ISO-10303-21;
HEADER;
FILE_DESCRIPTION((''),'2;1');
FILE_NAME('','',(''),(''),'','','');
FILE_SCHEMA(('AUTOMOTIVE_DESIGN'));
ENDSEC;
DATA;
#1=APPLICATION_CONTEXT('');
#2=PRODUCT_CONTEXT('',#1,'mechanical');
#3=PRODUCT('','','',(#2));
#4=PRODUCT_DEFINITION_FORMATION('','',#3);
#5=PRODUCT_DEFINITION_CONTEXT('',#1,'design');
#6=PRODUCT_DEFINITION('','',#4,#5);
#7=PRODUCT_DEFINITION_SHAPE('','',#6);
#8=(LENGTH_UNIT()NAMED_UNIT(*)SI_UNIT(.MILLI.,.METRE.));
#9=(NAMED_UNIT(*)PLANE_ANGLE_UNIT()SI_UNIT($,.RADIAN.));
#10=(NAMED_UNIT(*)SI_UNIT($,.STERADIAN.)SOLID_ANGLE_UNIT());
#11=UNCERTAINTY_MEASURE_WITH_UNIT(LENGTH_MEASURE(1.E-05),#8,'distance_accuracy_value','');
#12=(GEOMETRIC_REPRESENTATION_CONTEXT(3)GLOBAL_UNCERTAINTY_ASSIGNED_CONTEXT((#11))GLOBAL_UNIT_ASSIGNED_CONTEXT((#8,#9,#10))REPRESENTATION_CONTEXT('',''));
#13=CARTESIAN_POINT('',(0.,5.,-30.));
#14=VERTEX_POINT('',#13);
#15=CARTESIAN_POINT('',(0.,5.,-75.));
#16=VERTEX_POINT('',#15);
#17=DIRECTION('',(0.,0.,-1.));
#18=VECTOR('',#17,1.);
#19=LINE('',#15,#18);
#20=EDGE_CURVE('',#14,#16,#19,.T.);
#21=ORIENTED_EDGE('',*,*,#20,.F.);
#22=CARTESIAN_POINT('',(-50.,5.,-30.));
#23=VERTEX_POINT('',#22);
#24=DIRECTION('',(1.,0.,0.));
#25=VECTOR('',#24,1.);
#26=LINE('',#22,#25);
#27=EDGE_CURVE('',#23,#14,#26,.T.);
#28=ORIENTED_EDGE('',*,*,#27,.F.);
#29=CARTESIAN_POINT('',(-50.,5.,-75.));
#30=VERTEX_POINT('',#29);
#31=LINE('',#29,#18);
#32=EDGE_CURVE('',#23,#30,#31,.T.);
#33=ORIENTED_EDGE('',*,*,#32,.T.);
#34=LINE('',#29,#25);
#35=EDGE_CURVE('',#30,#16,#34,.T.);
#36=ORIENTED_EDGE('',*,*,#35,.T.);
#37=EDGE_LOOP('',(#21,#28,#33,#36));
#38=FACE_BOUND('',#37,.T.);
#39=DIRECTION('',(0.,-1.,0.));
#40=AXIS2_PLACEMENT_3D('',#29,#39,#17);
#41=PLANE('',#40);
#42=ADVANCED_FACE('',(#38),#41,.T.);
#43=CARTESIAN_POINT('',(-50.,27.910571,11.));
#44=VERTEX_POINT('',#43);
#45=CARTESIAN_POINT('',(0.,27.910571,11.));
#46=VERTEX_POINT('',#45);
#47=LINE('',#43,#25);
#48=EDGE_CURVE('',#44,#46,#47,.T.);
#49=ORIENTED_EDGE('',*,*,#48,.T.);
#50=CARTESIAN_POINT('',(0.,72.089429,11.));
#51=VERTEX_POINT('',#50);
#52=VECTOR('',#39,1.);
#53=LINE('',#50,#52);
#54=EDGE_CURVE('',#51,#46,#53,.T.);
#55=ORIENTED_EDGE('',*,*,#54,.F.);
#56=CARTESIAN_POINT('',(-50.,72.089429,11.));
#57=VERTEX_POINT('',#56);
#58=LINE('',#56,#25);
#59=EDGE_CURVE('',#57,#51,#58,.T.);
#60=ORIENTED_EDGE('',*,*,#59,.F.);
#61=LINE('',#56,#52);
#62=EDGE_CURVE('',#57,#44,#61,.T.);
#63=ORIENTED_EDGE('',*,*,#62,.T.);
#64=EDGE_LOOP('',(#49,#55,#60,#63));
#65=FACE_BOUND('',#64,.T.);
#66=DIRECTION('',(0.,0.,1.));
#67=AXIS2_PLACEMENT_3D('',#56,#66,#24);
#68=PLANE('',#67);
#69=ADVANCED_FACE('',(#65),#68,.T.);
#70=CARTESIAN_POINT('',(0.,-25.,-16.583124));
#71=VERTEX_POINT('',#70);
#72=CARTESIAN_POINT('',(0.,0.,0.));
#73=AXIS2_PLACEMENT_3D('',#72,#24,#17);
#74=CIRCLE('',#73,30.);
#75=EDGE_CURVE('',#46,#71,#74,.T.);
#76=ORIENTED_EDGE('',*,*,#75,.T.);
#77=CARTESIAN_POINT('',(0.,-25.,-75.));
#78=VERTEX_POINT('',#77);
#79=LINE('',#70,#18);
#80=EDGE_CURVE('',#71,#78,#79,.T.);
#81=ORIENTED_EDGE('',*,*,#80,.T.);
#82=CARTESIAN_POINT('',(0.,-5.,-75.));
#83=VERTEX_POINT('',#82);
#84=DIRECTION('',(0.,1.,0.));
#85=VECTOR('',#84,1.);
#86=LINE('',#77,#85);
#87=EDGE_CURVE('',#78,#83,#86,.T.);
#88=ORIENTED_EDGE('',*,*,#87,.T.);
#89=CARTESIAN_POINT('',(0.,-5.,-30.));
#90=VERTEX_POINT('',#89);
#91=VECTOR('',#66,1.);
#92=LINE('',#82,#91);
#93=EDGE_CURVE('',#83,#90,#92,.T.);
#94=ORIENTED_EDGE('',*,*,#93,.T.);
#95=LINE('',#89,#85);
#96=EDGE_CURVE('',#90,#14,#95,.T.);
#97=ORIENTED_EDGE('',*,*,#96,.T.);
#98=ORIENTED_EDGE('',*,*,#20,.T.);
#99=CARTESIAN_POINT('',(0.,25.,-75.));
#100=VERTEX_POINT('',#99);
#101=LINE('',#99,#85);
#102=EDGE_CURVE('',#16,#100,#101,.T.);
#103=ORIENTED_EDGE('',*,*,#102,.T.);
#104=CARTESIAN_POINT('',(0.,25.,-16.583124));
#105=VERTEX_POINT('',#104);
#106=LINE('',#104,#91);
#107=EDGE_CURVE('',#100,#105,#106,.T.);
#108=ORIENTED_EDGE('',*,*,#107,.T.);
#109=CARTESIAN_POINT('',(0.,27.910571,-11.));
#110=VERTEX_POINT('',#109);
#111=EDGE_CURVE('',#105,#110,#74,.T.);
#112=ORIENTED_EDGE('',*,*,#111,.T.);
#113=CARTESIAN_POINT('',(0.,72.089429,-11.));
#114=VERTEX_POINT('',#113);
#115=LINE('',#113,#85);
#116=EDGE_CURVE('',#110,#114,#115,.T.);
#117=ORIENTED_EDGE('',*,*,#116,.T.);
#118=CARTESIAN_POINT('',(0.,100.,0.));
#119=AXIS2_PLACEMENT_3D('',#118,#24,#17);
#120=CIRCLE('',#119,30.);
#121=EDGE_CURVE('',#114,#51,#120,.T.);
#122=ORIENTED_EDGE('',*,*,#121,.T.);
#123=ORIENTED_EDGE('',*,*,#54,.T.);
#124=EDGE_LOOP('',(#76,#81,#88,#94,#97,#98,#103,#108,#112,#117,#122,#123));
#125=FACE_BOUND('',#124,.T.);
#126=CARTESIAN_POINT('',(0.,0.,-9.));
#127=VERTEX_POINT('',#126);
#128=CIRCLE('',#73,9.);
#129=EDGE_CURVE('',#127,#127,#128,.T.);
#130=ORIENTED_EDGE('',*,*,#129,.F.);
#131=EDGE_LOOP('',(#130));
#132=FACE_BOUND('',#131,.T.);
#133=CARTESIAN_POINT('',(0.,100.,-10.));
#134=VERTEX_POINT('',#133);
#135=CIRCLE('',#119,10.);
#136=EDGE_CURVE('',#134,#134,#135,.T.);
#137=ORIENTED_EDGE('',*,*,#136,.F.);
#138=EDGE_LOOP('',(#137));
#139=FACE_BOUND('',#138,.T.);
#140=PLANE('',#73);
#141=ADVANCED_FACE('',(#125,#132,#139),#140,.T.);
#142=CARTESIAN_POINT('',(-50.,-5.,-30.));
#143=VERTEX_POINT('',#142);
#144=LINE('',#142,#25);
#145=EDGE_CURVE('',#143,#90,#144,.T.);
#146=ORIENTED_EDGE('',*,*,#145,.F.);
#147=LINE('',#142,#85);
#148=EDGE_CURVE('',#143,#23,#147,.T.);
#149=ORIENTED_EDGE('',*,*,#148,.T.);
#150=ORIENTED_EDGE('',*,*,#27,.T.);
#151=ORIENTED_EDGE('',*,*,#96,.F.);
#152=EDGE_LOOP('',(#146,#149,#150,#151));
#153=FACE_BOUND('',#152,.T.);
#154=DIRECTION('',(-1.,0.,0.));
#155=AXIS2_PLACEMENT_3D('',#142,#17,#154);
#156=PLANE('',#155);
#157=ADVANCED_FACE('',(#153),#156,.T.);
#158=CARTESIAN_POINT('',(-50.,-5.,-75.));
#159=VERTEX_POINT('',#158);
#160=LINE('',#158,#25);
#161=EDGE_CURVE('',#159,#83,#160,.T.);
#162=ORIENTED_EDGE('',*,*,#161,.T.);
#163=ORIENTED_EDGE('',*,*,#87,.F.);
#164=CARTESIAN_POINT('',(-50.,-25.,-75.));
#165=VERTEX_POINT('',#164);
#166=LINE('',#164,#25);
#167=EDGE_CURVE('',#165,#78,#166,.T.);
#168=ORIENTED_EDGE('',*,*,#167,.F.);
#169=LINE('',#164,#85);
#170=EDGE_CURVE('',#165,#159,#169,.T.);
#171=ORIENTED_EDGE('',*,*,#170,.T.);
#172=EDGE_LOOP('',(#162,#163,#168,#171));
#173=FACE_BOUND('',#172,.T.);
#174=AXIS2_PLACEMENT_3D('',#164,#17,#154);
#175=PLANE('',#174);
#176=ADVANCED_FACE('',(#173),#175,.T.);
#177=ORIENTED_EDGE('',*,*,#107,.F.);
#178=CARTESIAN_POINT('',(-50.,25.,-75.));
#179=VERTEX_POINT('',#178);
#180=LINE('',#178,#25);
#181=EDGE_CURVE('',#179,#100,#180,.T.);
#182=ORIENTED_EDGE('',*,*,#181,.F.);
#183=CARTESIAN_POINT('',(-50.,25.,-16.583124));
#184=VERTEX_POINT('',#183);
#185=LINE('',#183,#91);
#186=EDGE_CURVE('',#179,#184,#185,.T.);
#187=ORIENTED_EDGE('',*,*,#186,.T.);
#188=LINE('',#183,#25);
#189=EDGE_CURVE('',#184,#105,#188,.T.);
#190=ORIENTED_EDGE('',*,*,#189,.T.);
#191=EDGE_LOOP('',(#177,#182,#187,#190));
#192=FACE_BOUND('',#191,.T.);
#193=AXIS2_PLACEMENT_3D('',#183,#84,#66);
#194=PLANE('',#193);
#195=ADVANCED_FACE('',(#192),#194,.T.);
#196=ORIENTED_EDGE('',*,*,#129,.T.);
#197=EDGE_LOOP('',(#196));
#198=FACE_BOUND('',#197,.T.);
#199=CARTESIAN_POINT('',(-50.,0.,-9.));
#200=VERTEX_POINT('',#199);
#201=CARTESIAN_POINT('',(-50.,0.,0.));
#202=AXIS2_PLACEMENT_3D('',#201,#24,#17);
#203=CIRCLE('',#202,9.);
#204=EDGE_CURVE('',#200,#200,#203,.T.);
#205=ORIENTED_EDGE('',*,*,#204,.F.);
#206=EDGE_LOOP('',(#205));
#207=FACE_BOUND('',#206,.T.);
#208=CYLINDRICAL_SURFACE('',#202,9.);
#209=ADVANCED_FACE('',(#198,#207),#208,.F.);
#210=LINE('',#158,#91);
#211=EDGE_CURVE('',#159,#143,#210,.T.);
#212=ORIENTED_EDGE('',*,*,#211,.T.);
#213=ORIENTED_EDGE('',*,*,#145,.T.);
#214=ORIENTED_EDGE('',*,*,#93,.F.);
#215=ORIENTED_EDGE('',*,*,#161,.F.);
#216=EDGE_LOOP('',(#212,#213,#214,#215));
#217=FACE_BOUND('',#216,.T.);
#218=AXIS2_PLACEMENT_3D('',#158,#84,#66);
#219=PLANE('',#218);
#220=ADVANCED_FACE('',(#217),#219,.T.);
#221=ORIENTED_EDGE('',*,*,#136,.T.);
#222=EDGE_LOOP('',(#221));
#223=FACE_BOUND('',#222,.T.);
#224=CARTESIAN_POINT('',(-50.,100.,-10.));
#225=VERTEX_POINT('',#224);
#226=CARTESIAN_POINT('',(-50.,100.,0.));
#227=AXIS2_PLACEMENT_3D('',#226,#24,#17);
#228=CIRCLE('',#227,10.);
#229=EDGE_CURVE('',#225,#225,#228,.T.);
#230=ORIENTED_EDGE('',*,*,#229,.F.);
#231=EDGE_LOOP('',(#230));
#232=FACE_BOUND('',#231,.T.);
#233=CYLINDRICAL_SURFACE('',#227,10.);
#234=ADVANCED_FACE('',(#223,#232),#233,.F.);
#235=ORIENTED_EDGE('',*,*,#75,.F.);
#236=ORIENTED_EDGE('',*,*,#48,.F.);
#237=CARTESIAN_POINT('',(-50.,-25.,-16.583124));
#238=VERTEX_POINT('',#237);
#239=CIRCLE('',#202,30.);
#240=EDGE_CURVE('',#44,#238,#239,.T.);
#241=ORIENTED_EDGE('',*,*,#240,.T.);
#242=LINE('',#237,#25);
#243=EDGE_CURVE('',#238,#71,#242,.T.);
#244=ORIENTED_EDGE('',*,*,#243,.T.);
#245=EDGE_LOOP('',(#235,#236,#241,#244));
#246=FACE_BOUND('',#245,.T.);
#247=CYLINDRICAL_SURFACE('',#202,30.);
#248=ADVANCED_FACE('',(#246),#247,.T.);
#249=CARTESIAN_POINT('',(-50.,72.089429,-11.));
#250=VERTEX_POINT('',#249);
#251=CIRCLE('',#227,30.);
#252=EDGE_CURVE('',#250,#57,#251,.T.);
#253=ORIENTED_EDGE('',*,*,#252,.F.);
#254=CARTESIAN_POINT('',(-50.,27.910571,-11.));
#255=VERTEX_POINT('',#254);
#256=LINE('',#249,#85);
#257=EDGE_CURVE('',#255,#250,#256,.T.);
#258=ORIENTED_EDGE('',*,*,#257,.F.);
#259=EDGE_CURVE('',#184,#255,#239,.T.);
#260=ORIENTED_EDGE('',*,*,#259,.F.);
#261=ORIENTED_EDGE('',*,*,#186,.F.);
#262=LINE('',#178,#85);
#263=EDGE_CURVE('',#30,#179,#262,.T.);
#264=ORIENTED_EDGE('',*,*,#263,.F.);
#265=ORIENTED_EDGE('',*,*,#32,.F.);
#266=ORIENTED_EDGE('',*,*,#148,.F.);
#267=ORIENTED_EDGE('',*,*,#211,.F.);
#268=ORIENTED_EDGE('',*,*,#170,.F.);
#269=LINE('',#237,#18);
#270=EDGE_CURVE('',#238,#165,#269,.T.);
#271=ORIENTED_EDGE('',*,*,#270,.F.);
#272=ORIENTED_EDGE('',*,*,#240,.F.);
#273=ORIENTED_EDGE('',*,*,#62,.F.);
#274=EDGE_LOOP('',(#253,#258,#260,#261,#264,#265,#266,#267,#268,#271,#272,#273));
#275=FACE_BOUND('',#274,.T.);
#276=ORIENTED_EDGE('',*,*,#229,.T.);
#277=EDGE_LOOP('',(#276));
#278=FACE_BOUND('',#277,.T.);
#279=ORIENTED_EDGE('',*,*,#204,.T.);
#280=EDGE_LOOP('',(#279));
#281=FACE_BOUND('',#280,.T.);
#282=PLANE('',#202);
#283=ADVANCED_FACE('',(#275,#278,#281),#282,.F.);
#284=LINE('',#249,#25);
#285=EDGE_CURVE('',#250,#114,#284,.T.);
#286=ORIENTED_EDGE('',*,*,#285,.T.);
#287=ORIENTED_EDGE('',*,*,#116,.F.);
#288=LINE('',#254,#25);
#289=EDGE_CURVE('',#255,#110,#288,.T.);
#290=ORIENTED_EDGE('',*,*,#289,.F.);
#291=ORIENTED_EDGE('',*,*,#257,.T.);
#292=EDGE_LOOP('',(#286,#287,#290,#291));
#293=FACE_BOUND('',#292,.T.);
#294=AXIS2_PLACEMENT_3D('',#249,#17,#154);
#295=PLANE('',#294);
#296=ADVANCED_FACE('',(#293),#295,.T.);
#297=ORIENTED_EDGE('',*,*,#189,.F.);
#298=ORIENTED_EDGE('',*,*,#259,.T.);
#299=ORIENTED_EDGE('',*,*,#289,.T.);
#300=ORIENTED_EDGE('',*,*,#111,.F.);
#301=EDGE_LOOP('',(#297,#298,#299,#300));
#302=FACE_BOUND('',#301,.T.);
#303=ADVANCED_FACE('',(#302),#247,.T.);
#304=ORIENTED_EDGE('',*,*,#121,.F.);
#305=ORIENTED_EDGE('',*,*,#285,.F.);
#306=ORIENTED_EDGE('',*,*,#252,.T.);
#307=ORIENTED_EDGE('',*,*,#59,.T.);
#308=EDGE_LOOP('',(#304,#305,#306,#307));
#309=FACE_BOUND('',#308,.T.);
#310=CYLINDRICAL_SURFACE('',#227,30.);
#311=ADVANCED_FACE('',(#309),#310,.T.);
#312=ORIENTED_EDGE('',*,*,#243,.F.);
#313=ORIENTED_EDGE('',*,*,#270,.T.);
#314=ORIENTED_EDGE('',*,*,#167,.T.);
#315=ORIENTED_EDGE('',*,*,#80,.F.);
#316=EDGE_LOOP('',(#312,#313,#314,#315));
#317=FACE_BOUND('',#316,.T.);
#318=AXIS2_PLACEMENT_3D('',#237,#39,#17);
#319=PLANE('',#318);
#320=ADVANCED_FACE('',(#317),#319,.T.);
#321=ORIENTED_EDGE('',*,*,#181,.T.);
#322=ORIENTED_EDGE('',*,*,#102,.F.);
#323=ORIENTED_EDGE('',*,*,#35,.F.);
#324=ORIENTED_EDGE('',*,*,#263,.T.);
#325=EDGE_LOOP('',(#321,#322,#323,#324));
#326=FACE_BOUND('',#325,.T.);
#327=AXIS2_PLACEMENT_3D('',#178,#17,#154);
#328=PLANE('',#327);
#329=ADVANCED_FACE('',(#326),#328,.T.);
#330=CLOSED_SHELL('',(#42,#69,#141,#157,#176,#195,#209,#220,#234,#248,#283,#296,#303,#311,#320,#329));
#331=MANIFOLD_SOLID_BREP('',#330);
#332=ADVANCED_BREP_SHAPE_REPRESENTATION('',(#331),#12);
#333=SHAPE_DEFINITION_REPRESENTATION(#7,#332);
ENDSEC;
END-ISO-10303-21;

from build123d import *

# Parameters (mm, degrees)
SKETCH1_R           = 9
SKETCH1_R_2         = 10
BOSS_EXTRUDE1_DEPTH = 50


with BuildPart() as part:
    # Sketch1 → Boss-Extrude1 (new body)
    with BuildSketch(Plane.YZ):
        with BuildLine():
            Line((-25, -16.583123952), (-25, -75))
            Line((-25, -75), (-5, -75))
            Line((-5, -75), (-5, -30))
            Line((-5, -30), (5, -30))
            Line((5, -30), (5, -75))
            Line((5, -75), (25, -75))
            Line((25, -75), (25, -16.583123952))
            ThreePointArc((25, -16.583123952), (26.602160846, -13.868130311), (27.910571474, -11))
            Line((27.910571474, -11), (72.089428526, -11))
            ThreePointArc((72.089428526, -11), (130, 0), (72.089428526, 11))
            Line((72.089428526, 11), (27.910571474, 11))
            ThreePointArc((27.910571474, 11), (-13.868130311, 26.602160846), (-25, -16.583123952))
        make_face()
        with Locations(Location((0, 0, 0), (0, 0, 270))):
            Circle(SKETCH1_R, mode=Mode.SUBTRACT)
        with Locations(Location((100, 0, 0), (0, 0, 270))):
            Circle(SKETCH1_R_2, mode=Mode.SUBTRACT)
    extrude(amount=-BOSS_EXTRUDE1_DEPTH)


solid = part.part
